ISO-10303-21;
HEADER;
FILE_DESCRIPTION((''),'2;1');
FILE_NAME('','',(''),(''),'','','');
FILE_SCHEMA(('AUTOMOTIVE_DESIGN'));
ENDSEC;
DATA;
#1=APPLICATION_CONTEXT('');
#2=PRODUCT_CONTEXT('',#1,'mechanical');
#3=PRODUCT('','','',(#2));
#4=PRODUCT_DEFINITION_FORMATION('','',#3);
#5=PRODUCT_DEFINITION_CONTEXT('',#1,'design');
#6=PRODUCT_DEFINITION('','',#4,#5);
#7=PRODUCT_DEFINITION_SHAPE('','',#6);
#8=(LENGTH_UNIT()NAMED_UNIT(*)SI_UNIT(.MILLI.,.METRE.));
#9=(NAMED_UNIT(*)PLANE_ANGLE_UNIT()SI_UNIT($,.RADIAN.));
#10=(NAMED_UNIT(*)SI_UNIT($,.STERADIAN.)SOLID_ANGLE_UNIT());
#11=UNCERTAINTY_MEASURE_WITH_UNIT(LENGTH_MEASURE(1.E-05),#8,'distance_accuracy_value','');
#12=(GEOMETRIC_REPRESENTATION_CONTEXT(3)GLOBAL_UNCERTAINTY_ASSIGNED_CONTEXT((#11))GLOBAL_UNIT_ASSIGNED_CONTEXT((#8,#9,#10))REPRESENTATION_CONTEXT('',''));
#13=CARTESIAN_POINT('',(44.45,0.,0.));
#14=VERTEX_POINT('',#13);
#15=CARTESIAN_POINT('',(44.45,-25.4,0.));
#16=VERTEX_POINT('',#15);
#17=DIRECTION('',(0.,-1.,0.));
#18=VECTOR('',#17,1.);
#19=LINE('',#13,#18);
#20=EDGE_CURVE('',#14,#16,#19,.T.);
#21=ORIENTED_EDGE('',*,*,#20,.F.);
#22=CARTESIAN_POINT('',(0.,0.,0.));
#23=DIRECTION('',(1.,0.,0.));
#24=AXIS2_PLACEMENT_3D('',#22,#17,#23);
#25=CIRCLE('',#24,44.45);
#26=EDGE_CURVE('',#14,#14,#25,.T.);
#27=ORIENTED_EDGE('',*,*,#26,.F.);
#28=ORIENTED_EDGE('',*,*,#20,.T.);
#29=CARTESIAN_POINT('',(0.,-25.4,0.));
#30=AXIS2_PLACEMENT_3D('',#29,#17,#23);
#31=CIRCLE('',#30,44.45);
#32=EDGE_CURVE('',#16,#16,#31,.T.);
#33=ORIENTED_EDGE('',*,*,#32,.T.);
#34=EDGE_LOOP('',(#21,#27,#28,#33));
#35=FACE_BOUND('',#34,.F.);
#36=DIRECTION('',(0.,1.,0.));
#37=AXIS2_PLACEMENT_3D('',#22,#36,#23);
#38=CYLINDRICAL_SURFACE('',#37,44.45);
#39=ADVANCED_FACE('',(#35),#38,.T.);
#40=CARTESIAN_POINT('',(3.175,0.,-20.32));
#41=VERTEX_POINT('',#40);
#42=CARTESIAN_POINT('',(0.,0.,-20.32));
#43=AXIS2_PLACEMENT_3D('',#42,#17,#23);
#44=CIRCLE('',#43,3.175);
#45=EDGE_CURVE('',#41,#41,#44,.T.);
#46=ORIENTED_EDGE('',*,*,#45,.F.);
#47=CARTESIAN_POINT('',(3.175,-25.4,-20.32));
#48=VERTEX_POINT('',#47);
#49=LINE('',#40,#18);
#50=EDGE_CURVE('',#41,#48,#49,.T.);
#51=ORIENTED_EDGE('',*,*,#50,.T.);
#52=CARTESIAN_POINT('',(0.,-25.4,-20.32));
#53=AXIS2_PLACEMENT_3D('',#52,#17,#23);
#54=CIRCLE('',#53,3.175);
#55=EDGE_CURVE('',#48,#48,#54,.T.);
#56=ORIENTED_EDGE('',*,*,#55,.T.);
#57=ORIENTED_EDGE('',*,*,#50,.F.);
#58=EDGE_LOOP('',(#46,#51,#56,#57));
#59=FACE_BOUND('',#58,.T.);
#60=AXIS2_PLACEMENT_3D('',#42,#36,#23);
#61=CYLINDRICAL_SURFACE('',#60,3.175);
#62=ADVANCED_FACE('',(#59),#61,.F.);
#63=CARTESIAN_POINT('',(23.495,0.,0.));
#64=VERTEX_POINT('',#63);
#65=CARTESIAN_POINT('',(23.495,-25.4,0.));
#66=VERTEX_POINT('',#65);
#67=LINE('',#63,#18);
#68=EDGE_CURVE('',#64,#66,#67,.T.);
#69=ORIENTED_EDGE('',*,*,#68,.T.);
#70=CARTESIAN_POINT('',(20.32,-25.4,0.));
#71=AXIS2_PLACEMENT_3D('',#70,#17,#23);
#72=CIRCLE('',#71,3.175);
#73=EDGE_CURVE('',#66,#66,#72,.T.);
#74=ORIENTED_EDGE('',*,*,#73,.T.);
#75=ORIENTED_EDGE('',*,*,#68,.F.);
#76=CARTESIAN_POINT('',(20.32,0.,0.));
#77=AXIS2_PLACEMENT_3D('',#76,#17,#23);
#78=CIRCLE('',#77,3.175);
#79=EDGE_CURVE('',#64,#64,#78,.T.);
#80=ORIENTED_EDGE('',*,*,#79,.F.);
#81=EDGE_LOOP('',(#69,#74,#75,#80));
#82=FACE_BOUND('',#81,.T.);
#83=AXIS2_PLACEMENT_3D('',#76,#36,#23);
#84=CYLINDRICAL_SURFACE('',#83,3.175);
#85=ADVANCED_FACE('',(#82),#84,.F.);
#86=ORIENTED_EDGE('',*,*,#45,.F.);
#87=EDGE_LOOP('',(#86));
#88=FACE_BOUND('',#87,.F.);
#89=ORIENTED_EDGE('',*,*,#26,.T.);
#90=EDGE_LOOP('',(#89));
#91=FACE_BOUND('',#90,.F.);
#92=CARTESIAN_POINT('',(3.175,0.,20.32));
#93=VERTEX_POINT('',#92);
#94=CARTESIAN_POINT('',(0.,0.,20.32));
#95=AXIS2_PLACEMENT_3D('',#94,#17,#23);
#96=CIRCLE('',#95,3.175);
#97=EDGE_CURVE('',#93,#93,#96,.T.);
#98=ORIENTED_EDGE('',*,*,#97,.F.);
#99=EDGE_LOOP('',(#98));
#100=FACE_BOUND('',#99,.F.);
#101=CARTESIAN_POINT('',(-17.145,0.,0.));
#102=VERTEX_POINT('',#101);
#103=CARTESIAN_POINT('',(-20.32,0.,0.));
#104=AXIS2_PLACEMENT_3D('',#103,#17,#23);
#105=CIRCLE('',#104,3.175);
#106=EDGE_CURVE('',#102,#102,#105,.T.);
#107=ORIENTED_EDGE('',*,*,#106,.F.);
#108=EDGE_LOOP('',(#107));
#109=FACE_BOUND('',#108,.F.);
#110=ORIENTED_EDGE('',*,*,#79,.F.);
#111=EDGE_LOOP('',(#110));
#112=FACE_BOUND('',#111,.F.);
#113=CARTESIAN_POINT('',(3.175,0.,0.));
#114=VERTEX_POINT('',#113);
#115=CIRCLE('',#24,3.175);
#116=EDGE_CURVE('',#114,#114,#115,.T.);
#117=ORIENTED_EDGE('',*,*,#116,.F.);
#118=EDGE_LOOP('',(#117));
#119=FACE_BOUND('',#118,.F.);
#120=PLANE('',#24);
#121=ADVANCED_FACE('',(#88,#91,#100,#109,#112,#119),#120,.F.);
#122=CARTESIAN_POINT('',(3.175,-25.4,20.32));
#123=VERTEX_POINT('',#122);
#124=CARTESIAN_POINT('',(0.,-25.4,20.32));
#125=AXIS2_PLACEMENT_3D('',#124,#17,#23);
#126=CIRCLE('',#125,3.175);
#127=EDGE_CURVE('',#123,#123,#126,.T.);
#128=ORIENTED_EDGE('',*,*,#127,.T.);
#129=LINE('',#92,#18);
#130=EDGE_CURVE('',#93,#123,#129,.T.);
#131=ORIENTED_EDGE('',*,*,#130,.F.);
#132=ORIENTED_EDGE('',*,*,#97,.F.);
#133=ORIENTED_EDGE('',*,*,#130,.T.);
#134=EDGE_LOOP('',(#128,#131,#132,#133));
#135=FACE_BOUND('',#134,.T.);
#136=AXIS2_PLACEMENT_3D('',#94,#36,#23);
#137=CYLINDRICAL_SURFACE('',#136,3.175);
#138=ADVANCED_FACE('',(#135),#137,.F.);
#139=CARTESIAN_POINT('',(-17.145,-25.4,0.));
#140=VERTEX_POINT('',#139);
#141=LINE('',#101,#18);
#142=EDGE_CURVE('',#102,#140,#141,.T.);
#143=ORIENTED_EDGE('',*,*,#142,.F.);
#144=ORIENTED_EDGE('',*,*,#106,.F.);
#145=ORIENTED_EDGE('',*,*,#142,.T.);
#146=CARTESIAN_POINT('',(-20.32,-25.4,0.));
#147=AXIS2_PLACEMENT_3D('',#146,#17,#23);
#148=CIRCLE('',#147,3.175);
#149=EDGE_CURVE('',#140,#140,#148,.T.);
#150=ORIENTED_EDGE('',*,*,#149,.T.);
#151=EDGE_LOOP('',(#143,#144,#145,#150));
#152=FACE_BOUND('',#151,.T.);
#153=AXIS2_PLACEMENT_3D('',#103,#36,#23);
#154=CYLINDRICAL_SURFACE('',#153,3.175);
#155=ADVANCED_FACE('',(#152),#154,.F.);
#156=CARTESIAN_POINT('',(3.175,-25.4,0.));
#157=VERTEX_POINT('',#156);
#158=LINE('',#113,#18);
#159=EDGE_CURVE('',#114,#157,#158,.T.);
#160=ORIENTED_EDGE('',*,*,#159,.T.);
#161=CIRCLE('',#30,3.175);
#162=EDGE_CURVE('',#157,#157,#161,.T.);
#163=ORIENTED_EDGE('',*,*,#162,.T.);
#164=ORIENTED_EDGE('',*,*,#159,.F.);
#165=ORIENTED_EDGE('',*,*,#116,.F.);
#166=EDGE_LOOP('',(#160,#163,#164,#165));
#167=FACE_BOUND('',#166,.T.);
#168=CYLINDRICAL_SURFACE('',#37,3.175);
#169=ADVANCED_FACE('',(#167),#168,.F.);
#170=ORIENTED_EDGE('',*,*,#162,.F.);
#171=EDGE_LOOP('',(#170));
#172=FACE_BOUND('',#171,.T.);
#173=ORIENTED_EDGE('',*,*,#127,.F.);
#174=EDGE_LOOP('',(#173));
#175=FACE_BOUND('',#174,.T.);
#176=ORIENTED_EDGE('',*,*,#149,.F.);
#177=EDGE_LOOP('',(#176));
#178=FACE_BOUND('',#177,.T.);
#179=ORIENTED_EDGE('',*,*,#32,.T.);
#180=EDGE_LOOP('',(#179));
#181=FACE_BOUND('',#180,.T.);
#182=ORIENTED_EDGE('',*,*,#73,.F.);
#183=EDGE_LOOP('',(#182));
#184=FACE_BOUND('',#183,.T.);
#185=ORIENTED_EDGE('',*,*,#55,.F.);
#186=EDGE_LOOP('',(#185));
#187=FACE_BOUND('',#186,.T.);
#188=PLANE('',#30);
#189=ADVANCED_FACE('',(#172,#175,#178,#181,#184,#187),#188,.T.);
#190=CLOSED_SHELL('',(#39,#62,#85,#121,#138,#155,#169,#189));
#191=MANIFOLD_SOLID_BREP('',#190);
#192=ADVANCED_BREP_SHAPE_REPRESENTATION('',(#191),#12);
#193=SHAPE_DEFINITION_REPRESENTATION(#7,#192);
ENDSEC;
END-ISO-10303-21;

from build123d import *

# Parameters (mm, degrees)
F0_R     = 44.45
F0_R_2   = 3.175
F1_DEPTH = 25.4


with BuildPart() as f1:
    # F0 (on Front) → F1 (new body)
    with BuildSketch(Plane.XZ):
        Circle(F0_R)
        with Locations((0, -20.32)):
            Circle(F0_R_2, mode=Mode.SUBTRACT)
        with Locations((-20.32, 0)):
            Circle(F0_R_2, mode=Mode.SUBTRACT)
        Circle(F0_R_2, mode=Mode.SUBTRACT)
        with Locations((20.32, 0)):
            Circle(F0_R_2, mode=Mode.SUBTRACT)
        with Locations((0, 20.32)):
            Circle(F0_R_2, mode=Mode.SUBTRACT)
    extrude(amount=F1_DEPTH)


solid = f1.part
